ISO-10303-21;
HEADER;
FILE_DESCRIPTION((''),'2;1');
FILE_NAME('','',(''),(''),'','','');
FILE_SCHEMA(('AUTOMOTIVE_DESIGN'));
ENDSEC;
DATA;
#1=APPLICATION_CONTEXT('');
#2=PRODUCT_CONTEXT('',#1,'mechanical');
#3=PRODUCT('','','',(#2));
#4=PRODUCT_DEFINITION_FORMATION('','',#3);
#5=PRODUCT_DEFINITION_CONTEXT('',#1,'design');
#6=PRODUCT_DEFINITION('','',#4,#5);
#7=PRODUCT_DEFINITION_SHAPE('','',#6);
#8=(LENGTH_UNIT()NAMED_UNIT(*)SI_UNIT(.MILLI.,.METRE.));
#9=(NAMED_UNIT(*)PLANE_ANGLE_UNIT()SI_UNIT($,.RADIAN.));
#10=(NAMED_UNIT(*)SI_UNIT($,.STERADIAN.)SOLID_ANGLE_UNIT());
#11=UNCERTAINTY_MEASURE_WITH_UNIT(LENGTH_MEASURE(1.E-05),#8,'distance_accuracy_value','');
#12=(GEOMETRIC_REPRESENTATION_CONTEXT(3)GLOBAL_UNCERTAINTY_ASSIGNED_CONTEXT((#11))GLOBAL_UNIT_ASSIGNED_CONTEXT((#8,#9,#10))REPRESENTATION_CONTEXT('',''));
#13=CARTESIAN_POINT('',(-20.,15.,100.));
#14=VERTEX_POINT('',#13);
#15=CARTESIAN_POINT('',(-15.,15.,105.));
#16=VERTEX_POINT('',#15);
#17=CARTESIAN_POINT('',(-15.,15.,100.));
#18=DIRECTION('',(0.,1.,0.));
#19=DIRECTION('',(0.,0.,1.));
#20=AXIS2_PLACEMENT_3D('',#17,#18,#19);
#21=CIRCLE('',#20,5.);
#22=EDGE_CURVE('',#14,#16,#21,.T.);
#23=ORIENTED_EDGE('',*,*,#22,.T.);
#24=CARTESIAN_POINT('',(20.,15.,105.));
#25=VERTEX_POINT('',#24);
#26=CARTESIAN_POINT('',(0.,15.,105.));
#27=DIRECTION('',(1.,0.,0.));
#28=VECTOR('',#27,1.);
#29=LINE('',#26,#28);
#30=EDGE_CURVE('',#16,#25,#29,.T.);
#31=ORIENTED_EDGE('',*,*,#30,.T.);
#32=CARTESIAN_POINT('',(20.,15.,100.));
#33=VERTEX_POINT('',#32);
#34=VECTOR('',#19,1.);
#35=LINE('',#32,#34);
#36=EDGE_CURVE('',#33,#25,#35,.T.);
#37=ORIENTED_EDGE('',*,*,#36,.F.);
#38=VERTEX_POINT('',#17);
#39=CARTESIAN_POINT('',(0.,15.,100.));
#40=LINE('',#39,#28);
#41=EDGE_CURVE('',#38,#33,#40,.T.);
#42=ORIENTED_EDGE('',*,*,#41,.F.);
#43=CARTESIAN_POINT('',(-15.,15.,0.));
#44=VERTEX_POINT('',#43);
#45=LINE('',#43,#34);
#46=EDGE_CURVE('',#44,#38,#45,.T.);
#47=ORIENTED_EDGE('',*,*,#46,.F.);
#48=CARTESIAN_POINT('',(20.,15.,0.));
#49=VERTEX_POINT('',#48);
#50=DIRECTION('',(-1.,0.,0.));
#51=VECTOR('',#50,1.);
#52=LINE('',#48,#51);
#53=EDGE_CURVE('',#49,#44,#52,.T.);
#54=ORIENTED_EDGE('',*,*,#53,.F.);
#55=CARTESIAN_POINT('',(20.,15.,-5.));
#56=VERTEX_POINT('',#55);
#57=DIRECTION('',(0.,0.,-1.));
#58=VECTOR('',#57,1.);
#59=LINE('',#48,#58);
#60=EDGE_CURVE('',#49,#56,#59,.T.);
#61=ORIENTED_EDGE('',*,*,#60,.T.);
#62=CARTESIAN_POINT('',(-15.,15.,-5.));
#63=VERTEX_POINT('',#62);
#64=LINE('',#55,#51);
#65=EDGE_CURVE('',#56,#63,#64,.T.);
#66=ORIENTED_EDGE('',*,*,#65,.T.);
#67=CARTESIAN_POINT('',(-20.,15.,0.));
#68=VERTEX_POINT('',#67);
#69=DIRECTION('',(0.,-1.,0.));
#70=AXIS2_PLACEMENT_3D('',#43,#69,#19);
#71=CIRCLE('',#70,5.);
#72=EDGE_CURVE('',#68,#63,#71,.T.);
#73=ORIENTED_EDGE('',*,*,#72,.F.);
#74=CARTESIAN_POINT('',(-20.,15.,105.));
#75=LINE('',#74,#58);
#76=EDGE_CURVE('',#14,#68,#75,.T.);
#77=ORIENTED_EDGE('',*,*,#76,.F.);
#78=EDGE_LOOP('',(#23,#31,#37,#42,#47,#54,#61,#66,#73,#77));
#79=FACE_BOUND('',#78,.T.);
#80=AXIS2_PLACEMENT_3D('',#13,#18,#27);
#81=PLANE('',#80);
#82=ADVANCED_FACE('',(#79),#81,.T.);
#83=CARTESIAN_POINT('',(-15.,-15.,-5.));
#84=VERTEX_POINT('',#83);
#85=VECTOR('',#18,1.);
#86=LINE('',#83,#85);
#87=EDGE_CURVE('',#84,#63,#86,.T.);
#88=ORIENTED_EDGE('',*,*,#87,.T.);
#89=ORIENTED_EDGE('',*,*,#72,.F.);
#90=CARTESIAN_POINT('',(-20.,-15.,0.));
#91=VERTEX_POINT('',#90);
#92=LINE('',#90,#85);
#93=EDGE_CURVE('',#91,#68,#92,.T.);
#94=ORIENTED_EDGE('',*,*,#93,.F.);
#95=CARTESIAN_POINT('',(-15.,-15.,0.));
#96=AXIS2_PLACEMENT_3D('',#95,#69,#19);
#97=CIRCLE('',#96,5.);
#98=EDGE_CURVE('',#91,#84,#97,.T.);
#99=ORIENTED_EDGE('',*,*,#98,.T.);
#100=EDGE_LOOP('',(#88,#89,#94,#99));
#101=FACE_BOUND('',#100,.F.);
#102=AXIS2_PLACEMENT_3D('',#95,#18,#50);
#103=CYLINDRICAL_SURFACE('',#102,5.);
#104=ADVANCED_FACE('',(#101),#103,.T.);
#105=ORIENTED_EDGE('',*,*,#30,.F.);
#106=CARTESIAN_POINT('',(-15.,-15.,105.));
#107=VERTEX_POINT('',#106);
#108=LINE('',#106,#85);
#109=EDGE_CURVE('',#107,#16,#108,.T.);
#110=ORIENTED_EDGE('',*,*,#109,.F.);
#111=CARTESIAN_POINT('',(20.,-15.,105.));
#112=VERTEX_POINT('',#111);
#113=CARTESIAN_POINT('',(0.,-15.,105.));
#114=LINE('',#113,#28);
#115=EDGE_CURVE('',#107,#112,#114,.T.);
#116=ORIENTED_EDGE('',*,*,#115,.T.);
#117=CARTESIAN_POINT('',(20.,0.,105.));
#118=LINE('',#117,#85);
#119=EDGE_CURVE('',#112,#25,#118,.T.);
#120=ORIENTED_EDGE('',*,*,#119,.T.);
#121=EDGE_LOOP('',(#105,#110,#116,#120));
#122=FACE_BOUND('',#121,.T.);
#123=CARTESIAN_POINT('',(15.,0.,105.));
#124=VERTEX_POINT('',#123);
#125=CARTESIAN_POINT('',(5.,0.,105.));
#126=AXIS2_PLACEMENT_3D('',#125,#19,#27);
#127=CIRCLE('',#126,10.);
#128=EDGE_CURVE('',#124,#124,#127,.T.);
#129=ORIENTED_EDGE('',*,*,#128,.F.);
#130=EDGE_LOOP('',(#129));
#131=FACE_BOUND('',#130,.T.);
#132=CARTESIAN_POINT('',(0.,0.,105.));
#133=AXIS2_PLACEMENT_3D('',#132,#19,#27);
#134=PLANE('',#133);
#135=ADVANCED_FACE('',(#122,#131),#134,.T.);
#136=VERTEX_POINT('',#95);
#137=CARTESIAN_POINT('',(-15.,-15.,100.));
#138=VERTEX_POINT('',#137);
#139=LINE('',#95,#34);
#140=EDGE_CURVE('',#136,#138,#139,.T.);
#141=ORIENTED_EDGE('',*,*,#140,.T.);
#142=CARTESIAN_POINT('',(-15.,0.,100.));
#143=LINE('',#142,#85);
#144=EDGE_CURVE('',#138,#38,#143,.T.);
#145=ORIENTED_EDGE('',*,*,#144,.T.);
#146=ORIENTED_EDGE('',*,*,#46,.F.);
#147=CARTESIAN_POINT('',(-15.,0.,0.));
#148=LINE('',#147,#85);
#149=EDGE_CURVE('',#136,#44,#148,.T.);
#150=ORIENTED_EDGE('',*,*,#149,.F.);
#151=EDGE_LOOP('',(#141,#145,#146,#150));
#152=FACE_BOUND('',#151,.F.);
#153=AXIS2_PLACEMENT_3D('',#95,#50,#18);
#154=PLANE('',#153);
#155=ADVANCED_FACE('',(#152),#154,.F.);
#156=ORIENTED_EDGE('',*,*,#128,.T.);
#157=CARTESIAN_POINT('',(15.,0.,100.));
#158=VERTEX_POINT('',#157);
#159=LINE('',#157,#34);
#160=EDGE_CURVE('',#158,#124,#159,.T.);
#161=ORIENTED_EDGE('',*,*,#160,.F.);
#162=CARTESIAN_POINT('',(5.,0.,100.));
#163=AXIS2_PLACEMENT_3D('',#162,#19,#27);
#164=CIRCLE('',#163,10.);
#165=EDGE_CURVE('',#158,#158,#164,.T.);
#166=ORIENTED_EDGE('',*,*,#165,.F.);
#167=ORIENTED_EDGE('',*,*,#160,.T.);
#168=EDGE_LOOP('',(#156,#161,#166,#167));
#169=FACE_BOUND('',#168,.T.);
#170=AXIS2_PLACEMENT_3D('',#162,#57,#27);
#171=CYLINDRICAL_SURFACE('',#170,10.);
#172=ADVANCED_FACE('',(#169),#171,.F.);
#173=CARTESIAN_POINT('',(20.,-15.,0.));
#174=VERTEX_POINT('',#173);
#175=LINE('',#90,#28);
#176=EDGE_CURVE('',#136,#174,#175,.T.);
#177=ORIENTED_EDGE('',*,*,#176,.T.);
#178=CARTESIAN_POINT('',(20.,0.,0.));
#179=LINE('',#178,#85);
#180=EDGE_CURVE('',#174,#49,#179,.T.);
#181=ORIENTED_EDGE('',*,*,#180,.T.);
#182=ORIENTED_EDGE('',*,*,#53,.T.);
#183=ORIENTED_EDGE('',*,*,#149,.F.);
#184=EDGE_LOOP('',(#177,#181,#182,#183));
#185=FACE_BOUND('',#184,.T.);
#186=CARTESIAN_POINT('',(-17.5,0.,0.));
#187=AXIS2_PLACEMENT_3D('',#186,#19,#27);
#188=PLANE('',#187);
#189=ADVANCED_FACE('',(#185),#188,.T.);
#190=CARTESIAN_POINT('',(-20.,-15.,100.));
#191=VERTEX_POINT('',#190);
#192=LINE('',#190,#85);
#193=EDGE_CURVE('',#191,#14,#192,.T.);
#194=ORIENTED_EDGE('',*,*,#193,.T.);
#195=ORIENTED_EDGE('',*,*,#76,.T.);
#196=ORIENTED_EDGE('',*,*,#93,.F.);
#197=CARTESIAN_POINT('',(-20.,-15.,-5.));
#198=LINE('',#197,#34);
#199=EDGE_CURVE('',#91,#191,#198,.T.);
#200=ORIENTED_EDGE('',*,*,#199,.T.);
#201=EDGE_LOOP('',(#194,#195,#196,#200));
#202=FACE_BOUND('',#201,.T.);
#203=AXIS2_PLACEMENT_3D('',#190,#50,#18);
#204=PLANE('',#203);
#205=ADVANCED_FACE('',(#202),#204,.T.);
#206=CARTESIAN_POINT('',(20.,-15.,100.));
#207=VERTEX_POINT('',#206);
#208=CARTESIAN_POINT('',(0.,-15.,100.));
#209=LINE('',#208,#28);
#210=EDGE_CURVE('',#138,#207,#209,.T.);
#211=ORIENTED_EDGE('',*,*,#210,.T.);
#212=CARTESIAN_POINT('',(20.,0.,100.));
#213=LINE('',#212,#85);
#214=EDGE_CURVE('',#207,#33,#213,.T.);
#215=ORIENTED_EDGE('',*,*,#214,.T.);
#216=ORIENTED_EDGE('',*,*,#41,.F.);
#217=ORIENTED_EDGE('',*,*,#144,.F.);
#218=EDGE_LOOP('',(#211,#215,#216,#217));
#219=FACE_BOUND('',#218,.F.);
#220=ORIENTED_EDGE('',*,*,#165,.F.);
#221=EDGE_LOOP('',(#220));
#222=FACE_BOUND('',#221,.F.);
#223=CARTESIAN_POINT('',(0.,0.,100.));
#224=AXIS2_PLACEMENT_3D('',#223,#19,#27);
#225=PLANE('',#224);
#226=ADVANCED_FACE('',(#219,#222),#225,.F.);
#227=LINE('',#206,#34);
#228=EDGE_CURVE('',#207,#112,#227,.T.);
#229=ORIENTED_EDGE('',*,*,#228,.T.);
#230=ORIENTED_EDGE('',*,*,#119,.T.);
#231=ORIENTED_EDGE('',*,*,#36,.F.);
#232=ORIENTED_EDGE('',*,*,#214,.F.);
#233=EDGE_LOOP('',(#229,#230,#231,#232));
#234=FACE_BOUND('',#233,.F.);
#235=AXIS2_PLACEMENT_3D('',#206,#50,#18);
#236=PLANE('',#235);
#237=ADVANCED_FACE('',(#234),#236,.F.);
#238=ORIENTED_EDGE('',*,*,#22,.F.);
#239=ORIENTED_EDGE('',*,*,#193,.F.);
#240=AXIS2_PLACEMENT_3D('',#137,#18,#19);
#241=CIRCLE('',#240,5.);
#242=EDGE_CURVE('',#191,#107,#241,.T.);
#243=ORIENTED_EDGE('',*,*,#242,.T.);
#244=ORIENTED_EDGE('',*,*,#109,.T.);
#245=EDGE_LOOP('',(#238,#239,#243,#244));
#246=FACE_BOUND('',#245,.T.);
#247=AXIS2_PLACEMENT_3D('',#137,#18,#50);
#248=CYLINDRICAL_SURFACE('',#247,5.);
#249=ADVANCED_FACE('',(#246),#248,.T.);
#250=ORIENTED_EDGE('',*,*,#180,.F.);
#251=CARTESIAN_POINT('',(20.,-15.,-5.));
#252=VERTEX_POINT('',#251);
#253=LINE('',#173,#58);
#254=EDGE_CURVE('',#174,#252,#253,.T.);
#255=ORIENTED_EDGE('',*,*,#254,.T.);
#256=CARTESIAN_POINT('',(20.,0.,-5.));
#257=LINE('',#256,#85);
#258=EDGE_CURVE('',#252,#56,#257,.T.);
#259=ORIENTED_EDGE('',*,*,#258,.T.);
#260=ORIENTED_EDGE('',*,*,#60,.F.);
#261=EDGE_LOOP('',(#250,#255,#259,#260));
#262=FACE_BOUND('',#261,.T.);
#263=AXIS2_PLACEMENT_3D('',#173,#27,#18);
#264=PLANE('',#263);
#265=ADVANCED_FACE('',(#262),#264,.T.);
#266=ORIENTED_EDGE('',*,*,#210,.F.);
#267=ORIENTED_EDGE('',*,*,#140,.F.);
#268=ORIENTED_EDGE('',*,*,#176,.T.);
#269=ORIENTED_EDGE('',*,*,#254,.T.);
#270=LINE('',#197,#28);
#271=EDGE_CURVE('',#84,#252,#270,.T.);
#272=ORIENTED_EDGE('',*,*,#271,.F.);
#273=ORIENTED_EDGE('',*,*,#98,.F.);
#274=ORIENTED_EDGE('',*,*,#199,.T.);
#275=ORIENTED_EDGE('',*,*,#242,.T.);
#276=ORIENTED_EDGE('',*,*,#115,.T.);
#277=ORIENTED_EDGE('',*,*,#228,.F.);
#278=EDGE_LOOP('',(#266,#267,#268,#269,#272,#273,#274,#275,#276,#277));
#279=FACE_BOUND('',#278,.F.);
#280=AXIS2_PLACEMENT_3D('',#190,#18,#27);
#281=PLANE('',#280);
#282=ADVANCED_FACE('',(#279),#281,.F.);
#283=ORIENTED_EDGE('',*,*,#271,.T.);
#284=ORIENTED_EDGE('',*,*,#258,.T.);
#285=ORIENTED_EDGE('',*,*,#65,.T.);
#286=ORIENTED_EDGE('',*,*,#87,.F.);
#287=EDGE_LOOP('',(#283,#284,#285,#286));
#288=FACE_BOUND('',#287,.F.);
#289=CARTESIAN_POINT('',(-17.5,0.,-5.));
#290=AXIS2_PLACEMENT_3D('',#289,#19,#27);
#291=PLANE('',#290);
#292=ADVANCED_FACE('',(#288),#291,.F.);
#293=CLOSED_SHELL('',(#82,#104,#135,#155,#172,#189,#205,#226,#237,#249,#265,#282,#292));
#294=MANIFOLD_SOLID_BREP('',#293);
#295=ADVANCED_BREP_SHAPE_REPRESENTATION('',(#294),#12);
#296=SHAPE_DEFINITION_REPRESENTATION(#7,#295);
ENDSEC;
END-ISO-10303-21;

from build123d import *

# Parameters (mm, degrees)
F0_W     = 5
F0_H     = 30
F0_W_2   = 35
F1_DEPTH = 5
F2_DEPTH = 100
F3_W     = 40
F3_H     = 30
F3_R     = 10
F4_DEPTH = 5
F5_R     = 5


with BuildPart() as f1:
    # F0 (on Top) → F1 (new body)
    with BuildSketch(Plane.XY):
        with Locations((-17.5, 0)):
            Rectangle(F0_W, F0_H)
        with Locations((2.5, 0)):
            Rectangle(F0_W_2, F0_H)
    extrude(amount=-F1_DEPTH)

    # F0 (on Top) → F2 (join)
    with BuildSketch(Plane.XY):
        with Locations((-17.5, 0)):
            Rectangle(F0_W, F0_H)
    extrude(amount=F2_DEPTH)

    # F3 (on face) → F4 (join)
    with BuildSketch(Plane.XY.offset(100)):
        Rectangle(F3_W, F3_H)
        with Locations((5, 0)):
            Circle(F3_R, mode=Mode.SUBTRACT)
    extrude(amount=F4_DEPTH)

    # F5
    f5_edges = [f1.edges().sort_by_distance(p)[0] for p in [
        (-20, 0, -5),
        (-20, 0, 105),
    ]]
    fillet(f5_edges, radius=F5_R)


solid = f1.part
